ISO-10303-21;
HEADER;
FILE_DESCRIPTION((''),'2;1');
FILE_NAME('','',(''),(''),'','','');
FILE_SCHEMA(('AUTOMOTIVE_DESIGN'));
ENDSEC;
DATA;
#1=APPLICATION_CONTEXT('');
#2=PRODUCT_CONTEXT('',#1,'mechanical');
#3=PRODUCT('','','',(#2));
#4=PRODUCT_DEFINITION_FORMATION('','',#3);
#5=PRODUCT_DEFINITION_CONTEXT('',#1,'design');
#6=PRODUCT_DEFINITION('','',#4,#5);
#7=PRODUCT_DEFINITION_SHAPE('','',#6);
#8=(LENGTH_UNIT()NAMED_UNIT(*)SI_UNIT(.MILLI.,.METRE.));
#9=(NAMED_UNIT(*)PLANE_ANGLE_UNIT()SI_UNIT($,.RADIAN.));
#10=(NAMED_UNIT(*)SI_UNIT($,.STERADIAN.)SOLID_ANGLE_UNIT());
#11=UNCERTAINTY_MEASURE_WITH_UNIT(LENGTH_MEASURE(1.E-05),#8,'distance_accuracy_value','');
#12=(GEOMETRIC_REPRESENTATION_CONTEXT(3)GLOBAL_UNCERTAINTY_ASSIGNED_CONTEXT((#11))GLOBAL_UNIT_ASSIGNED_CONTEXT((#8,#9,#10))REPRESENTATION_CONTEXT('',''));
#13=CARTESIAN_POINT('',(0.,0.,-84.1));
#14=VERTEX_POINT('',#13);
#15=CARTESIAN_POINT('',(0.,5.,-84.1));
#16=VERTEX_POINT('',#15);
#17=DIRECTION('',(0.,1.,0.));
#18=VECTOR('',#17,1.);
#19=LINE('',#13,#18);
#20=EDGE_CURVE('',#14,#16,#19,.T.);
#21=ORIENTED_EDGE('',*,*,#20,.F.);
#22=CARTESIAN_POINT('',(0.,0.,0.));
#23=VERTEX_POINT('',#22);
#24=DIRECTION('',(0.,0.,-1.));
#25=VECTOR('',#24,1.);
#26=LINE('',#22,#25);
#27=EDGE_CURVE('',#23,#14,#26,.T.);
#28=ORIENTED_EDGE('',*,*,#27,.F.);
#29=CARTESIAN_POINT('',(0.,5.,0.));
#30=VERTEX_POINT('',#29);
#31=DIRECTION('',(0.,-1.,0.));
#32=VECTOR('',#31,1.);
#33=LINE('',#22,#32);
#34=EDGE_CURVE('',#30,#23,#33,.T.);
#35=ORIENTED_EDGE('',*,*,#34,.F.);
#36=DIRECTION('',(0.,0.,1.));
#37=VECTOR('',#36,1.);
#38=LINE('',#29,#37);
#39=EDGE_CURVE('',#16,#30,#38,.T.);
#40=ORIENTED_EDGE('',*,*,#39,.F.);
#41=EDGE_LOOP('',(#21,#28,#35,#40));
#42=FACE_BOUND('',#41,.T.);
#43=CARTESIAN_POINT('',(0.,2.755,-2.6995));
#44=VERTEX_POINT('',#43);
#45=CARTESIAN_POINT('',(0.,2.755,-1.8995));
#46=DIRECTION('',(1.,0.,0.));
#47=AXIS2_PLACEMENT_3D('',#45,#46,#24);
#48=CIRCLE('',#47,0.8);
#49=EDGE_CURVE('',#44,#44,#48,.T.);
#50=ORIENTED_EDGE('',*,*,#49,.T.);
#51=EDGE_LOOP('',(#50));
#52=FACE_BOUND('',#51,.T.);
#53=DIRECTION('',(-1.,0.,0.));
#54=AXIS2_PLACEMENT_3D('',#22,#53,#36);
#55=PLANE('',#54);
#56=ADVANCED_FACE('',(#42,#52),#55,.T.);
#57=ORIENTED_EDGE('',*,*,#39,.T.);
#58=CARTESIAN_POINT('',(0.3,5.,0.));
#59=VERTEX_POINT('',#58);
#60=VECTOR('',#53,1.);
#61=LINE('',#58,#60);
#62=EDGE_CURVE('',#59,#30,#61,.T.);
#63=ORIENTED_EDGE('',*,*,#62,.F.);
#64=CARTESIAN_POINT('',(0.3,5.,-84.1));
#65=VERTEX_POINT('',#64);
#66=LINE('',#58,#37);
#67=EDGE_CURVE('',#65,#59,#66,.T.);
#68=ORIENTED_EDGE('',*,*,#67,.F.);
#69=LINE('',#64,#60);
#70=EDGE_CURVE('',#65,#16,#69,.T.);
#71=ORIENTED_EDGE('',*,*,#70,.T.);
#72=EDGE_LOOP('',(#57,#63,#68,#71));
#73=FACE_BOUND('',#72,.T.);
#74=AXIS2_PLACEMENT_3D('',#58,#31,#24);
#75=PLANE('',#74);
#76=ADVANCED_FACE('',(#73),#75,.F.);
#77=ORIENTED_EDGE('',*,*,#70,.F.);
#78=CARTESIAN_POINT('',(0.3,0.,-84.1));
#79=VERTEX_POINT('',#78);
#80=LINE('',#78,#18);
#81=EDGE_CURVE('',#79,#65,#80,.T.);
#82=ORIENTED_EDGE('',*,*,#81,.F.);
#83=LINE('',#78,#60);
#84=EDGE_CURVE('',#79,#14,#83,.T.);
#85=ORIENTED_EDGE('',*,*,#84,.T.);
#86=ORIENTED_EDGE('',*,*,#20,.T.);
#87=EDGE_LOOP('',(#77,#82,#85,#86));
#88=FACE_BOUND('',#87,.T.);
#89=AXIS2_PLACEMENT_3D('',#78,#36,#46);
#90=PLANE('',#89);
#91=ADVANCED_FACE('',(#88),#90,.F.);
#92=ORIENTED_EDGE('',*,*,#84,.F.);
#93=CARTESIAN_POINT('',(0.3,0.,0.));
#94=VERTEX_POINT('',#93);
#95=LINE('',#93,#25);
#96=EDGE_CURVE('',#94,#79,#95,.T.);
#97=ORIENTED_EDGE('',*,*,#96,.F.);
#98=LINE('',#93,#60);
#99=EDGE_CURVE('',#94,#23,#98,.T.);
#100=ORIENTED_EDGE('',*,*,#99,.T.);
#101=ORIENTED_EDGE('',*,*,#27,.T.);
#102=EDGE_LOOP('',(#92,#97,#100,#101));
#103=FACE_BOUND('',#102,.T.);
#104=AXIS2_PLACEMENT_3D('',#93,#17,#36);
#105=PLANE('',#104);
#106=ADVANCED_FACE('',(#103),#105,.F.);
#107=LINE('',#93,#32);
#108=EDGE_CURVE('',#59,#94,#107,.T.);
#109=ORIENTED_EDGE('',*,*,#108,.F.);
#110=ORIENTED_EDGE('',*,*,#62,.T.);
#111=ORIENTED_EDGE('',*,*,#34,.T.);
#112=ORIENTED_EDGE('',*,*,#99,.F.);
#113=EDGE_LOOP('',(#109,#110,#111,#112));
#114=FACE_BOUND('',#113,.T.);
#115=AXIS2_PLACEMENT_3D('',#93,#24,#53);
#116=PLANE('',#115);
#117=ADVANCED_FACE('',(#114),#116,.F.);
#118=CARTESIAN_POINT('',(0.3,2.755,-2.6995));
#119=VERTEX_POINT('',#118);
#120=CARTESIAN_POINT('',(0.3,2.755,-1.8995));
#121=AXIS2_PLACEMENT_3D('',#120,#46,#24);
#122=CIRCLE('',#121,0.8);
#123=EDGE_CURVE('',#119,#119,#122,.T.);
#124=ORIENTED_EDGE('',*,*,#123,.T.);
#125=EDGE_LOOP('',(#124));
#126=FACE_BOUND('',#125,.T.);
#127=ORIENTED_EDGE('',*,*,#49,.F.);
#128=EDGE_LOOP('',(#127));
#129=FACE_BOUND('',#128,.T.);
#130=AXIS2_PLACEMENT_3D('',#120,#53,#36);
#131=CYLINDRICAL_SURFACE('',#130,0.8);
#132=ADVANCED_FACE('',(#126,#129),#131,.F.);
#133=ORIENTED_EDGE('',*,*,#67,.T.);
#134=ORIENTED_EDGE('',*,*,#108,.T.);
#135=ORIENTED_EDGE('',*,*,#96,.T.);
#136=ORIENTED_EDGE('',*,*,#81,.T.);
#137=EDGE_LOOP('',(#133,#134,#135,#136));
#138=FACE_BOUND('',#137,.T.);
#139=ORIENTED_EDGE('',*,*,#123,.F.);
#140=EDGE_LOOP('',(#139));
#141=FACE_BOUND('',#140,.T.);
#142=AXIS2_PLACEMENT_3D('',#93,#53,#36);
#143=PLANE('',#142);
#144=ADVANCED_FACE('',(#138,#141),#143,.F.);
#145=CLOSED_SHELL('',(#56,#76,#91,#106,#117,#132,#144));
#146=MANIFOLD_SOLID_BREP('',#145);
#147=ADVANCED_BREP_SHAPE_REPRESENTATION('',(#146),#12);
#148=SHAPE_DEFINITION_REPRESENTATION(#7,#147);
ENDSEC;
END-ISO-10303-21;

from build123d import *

# Parameters (mm, degrees)
SKETCH2_W           = 84.1
SKETCH2_H           = 5
SKETCH2_R           = 0.8
BOSS_EXTRUDE1_DEPTH = 0.3


with BuildPart() as part:
    # Sketch2 → Boss-Extrude1 (new body)
    with BuildSketch(Plane(origin=(0, 0, 0), x_dir=(0, 0, -1), z_dir=(1, 0, 0))):
        with Locations((42.05, 2.5)):
            Rectangle(SKETCH2_W, SKETCH2_H)
        with Locations((1.8995, 2.755)):
            Circle(SKETCH2_R, mode=Mode.SUBTRACT)
    extrude(amount=BOSS_EXTRUDE1_DEPTH)


solid = part.part
